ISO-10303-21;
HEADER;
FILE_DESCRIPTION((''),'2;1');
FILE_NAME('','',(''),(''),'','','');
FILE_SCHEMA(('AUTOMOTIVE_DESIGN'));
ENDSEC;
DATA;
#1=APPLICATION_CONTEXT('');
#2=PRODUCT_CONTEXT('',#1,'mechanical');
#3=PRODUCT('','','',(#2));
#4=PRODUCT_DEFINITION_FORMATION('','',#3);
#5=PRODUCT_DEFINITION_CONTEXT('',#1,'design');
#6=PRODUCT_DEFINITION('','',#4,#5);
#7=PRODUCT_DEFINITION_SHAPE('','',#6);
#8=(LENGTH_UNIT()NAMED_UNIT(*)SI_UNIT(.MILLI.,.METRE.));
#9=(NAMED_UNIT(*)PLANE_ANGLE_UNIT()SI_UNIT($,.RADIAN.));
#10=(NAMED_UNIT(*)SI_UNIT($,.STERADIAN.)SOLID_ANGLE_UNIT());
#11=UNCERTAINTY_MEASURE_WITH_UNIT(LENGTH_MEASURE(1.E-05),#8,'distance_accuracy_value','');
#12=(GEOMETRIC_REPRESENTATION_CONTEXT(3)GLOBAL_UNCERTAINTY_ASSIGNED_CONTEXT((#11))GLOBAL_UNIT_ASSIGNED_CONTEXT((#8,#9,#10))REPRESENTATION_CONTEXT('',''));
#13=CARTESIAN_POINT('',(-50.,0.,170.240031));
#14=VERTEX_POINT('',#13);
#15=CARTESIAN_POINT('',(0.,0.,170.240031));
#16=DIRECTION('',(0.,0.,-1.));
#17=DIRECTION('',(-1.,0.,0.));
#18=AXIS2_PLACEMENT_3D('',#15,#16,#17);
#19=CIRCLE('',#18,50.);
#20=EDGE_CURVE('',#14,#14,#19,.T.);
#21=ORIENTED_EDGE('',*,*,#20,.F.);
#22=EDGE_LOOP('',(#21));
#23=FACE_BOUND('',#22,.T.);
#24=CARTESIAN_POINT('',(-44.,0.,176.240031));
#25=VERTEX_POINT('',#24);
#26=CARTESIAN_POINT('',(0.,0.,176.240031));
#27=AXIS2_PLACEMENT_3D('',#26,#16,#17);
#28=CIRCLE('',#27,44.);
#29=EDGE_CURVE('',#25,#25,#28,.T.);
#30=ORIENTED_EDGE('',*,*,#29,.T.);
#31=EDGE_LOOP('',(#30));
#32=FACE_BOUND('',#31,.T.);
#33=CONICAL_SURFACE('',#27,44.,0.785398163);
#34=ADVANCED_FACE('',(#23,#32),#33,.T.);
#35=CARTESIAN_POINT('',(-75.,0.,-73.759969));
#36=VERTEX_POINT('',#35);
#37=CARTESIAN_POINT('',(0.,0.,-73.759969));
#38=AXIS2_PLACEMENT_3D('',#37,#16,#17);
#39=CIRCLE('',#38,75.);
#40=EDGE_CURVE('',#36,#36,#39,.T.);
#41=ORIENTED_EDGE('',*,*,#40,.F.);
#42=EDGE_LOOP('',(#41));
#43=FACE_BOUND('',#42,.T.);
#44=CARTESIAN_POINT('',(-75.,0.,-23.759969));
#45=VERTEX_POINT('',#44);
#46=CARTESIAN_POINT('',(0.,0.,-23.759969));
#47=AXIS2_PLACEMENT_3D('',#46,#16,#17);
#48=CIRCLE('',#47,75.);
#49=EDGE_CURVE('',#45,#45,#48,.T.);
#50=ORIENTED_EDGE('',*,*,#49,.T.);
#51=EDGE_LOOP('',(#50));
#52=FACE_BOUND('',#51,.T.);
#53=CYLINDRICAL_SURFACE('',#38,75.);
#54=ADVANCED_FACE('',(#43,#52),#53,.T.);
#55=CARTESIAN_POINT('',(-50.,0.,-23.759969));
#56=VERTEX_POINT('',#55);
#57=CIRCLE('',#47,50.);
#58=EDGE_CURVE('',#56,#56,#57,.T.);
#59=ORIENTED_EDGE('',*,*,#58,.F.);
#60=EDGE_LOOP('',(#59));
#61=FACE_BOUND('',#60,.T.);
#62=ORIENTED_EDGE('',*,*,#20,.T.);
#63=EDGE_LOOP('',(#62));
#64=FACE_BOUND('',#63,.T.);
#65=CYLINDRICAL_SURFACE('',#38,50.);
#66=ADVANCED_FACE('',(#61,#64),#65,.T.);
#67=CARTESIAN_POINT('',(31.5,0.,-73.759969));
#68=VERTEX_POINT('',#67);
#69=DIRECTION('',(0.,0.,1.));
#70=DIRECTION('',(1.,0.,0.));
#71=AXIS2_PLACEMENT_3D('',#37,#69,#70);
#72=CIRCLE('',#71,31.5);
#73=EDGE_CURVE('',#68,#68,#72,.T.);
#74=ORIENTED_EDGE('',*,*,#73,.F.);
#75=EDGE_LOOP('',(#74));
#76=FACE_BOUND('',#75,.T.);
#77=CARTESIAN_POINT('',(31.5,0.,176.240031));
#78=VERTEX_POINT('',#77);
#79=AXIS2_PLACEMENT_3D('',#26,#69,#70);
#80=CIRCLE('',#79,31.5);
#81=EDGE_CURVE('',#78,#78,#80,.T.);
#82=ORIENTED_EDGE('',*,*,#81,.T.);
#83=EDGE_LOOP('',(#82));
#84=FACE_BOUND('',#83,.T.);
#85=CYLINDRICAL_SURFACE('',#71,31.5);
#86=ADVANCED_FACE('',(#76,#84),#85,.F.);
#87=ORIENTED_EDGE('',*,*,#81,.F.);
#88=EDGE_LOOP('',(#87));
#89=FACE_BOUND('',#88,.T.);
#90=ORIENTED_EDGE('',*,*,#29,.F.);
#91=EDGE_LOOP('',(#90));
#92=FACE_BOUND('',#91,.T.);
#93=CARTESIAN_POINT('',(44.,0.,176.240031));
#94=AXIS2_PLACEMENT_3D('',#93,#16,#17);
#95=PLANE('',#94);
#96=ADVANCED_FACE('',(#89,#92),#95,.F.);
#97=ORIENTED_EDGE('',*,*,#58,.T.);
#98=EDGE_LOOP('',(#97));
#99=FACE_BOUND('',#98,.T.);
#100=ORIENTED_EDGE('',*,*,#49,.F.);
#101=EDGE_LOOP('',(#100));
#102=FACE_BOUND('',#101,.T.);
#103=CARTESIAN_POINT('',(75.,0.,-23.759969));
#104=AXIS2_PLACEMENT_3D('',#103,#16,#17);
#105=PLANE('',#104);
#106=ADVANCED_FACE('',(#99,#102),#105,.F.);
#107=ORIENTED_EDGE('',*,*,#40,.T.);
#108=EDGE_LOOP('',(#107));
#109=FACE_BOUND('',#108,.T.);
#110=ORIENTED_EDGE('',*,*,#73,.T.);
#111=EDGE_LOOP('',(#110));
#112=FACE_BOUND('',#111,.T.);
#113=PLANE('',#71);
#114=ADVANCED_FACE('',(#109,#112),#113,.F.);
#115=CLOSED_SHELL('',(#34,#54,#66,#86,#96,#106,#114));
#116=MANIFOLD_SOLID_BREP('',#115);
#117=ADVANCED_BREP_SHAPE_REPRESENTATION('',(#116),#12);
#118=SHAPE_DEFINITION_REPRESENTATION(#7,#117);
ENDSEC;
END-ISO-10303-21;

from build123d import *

# Parameters (mm, degrees)
SKETCH2_R          = 31.5
CUT_EXTRUDE1_DEPTH = 251


with BuildPart() as part:
    # Sketch1 → Revolve1 (revolve)
    with BuildSketch(Plane(origin=(0, 0, 0), x_dir=(1, 0, 0), z_dir=(0, 1, 0))):
        Polygon((0, 73.759969248), (75, 73.759969248), (75, 23.759969248), (50, 23.759969248), (50, -170.240030752), (44, -176.240030752), (0, -176.240030752), align=None)
    revolve(axis=Axis((0, 0, -73.759969248), (0, 0, 1)))

    # Sketch2 → Cut-Extrude1 (cut, through all)
    with BuildSketch(Plane.XY.offset(176.240030752)):
        Circle(SKETCH2_R)
    extrude(amount=-CUT_EXTRUDE1_DEPTH, mode=Mode.SUBTRACT)


solid = part.part
